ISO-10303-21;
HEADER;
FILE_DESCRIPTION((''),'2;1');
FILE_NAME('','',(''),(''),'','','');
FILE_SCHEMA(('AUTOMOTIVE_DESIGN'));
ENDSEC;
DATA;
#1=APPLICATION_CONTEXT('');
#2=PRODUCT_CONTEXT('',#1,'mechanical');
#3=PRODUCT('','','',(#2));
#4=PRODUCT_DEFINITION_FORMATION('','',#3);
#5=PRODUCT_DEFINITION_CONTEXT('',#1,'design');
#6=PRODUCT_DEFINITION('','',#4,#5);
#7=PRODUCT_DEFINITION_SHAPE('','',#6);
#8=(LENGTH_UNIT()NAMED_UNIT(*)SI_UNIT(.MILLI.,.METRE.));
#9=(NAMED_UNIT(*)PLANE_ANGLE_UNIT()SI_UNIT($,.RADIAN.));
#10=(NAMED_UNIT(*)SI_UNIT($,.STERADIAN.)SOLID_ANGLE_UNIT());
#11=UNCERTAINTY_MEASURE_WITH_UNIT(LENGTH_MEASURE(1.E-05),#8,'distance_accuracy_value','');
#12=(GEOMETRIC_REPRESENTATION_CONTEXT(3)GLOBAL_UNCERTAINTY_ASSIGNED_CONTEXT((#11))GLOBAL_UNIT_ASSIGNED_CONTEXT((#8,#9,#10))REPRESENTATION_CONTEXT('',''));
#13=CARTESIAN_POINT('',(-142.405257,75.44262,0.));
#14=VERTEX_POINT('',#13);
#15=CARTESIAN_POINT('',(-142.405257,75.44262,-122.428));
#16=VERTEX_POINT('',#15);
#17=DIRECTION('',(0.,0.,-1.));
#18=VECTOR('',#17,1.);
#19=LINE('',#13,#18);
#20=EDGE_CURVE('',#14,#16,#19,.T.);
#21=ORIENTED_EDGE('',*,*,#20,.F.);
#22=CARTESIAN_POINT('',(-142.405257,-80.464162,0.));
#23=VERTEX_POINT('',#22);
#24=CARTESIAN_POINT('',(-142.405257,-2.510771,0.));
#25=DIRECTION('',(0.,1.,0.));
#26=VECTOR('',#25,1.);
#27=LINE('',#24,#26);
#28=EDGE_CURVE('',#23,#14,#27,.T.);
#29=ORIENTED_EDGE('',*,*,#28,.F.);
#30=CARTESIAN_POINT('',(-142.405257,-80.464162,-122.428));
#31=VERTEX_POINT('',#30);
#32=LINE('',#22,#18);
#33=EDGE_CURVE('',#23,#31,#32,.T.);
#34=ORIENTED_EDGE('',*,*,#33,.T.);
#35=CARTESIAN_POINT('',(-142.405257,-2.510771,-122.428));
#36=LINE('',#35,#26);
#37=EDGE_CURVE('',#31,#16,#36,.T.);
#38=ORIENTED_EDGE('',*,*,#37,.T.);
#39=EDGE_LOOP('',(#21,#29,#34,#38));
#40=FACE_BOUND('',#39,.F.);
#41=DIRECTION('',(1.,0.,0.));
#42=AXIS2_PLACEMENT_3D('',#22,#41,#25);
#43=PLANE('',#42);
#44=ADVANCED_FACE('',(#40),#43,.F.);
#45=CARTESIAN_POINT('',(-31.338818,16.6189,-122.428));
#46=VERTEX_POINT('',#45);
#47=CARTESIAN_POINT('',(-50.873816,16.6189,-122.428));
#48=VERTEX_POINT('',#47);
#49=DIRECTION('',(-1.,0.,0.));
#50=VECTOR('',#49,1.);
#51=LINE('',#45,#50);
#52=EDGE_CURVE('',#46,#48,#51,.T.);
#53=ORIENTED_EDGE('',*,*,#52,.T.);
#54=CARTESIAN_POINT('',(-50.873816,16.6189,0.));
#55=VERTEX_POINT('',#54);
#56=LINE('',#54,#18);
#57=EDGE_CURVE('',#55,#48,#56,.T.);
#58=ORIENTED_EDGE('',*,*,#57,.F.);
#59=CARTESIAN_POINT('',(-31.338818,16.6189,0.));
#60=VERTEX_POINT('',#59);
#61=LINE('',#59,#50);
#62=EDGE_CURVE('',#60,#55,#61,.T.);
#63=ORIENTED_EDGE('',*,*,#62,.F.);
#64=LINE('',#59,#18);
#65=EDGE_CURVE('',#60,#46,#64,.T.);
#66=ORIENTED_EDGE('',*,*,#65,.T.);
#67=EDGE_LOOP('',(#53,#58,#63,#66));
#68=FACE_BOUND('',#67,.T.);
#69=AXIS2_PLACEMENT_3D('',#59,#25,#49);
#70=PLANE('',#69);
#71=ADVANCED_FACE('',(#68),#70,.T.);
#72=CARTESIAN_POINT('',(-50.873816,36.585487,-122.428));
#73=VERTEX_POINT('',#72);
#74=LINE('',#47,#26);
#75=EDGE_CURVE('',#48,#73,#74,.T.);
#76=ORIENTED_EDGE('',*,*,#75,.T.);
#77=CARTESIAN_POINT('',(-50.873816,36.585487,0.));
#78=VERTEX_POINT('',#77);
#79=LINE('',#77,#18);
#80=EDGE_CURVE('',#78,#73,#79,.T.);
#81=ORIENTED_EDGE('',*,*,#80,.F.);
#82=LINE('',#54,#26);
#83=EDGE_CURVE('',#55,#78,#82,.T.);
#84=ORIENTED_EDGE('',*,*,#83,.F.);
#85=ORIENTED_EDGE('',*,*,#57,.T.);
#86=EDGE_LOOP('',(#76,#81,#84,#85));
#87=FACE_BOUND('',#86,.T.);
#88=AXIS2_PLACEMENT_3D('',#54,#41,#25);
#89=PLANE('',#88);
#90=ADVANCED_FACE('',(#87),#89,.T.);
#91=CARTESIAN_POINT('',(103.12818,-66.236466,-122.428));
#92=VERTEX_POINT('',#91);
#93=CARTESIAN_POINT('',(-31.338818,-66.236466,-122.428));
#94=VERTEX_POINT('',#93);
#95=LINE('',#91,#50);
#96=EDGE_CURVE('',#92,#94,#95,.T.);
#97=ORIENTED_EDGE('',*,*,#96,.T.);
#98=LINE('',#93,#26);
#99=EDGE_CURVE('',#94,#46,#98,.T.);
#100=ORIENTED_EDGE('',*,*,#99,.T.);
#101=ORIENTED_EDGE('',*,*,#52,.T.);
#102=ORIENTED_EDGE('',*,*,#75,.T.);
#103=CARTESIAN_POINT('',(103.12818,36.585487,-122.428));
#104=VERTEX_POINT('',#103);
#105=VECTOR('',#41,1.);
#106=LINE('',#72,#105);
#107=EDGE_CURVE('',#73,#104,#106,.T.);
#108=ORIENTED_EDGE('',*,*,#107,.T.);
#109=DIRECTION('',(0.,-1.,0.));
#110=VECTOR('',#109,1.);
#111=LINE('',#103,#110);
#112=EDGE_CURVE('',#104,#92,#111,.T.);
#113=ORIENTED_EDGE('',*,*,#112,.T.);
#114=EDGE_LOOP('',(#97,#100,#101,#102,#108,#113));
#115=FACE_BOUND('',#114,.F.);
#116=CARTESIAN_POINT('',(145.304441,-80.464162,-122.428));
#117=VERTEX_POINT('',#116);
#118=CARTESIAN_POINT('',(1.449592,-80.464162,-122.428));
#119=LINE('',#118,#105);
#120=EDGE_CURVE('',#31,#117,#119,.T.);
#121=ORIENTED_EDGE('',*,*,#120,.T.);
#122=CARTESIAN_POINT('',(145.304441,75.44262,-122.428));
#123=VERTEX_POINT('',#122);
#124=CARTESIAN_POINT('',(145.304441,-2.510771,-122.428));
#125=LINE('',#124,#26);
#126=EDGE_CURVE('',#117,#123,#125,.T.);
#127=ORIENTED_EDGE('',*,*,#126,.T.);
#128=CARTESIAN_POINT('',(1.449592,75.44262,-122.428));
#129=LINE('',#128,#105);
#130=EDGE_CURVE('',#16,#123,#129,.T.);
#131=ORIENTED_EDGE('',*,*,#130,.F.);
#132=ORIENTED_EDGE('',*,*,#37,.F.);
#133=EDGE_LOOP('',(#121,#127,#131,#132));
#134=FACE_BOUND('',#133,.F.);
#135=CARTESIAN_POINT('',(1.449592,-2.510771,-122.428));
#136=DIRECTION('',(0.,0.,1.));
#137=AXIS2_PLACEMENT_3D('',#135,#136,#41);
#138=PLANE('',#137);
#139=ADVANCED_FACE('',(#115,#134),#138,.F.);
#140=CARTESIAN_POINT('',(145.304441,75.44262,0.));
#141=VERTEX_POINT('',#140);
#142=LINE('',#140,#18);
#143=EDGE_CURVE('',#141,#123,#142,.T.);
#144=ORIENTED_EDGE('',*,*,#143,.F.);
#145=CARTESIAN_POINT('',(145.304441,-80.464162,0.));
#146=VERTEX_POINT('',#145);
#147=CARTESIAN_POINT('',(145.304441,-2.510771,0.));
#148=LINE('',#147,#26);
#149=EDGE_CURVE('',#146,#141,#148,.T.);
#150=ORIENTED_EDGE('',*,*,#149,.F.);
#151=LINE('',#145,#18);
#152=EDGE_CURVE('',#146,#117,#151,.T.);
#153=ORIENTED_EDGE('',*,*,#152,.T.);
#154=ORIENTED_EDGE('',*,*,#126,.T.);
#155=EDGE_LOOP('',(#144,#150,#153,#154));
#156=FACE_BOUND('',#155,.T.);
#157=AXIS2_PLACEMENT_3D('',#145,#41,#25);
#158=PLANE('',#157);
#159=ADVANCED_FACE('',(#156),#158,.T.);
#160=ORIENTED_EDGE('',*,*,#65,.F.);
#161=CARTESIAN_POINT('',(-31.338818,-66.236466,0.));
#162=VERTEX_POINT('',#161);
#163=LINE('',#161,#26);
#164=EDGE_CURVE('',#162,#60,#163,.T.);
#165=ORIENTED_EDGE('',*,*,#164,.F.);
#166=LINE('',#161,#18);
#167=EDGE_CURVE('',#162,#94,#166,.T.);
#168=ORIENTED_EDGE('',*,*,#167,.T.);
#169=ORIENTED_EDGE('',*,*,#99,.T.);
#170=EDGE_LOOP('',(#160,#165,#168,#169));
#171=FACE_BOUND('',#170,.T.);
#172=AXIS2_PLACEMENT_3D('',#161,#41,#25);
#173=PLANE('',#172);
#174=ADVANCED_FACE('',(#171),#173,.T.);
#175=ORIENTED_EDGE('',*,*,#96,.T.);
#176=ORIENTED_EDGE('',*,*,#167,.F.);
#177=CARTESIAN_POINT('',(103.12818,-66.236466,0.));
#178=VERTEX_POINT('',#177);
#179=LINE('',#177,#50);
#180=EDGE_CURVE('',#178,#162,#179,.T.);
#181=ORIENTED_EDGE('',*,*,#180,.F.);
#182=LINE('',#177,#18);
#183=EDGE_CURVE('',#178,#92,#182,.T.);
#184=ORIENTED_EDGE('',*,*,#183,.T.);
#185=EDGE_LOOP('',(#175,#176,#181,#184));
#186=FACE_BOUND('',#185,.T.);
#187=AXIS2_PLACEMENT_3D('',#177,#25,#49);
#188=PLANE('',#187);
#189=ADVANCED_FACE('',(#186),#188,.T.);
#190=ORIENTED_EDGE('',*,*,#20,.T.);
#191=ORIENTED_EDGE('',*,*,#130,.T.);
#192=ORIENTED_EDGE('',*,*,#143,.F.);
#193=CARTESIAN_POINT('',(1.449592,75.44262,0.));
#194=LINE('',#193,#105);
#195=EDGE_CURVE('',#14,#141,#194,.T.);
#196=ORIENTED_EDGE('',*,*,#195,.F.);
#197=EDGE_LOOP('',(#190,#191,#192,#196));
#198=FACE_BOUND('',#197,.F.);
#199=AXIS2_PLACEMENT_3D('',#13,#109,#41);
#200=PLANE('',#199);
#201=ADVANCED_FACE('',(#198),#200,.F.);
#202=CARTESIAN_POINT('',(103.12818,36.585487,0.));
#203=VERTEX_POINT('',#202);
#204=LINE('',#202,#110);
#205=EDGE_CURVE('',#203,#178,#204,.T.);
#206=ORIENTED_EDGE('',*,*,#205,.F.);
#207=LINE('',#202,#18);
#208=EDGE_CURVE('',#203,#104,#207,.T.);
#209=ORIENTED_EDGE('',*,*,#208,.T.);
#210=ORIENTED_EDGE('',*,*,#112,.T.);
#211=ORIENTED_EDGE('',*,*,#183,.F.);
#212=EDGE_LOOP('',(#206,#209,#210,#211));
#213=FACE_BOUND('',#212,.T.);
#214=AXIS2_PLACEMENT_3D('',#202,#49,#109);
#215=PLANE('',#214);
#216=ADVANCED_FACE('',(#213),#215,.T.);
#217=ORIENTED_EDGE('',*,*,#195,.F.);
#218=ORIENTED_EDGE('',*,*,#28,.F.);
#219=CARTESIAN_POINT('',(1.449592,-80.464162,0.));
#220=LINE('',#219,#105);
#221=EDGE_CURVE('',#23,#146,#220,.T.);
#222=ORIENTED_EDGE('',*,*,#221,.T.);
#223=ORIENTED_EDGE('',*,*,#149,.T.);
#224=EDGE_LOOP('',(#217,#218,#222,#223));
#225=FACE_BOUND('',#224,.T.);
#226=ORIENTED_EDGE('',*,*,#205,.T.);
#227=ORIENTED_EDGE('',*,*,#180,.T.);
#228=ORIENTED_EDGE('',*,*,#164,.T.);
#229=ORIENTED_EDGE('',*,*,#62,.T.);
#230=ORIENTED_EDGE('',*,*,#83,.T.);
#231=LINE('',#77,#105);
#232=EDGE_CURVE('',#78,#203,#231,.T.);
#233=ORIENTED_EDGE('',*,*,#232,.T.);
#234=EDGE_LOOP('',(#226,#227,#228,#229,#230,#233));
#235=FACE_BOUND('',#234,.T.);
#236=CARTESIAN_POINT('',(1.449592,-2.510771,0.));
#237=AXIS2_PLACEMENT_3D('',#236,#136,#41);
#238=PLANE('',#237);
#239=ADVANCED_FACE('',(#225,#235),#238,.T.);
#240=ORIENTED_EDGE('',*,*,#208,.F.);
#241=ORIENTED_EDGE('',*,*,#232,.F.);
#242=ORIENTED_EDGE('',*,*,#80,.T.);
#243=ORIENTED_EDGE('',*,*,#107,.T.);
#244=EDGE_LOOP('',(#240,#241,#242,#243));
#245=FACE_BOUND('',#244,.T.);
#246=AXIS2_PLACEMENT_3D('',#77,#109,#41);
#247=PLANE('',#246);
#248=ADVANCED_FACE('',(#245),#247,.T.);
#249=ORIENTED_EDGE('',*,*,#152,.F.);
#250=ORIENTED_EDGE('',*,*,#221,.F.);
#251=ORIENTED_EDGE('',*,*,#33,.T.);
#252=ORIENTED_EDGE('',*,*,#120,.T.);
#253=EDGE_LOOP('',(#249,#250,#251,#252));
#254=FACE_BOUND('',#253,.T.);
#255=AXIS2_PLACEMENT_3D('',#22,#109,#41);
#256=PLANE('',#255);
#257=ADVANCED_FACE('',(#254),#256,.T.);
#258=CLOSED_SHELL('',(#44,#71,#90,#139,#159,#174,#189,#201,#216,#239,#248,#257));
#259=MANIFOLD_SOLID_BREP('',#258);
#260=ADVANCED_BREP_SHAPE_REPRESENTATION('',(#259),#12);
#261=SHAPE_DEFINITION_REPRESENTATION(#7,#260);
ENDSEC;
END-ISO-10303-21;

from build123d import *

# Parameters (mm, degrees)
F0_W     = 287.709698
F0_H     = 155.906782
F1_DEPTH = 122.428


with BuildPart() as f1:
    # F0 (on Top) → F1 (new body)
    with BuildSketch(Plane.XY):
        with Locations((1.449592, -2.510771)):
            Rectangle(F0_W, F0_H)
        Polygon((-31.338818, 16.6189), (-50.873816, 16.6189), (-50.873816, 36.585487), (-31.338818, 36.585487), (103.12818, 36.585487), (103.12818, -66.236466), (-31.338818, -66.236466), align=None, mode=Mode.SUBTRACT)
    extrude(amount=-F1_DEPTH)


solid = f1.part
